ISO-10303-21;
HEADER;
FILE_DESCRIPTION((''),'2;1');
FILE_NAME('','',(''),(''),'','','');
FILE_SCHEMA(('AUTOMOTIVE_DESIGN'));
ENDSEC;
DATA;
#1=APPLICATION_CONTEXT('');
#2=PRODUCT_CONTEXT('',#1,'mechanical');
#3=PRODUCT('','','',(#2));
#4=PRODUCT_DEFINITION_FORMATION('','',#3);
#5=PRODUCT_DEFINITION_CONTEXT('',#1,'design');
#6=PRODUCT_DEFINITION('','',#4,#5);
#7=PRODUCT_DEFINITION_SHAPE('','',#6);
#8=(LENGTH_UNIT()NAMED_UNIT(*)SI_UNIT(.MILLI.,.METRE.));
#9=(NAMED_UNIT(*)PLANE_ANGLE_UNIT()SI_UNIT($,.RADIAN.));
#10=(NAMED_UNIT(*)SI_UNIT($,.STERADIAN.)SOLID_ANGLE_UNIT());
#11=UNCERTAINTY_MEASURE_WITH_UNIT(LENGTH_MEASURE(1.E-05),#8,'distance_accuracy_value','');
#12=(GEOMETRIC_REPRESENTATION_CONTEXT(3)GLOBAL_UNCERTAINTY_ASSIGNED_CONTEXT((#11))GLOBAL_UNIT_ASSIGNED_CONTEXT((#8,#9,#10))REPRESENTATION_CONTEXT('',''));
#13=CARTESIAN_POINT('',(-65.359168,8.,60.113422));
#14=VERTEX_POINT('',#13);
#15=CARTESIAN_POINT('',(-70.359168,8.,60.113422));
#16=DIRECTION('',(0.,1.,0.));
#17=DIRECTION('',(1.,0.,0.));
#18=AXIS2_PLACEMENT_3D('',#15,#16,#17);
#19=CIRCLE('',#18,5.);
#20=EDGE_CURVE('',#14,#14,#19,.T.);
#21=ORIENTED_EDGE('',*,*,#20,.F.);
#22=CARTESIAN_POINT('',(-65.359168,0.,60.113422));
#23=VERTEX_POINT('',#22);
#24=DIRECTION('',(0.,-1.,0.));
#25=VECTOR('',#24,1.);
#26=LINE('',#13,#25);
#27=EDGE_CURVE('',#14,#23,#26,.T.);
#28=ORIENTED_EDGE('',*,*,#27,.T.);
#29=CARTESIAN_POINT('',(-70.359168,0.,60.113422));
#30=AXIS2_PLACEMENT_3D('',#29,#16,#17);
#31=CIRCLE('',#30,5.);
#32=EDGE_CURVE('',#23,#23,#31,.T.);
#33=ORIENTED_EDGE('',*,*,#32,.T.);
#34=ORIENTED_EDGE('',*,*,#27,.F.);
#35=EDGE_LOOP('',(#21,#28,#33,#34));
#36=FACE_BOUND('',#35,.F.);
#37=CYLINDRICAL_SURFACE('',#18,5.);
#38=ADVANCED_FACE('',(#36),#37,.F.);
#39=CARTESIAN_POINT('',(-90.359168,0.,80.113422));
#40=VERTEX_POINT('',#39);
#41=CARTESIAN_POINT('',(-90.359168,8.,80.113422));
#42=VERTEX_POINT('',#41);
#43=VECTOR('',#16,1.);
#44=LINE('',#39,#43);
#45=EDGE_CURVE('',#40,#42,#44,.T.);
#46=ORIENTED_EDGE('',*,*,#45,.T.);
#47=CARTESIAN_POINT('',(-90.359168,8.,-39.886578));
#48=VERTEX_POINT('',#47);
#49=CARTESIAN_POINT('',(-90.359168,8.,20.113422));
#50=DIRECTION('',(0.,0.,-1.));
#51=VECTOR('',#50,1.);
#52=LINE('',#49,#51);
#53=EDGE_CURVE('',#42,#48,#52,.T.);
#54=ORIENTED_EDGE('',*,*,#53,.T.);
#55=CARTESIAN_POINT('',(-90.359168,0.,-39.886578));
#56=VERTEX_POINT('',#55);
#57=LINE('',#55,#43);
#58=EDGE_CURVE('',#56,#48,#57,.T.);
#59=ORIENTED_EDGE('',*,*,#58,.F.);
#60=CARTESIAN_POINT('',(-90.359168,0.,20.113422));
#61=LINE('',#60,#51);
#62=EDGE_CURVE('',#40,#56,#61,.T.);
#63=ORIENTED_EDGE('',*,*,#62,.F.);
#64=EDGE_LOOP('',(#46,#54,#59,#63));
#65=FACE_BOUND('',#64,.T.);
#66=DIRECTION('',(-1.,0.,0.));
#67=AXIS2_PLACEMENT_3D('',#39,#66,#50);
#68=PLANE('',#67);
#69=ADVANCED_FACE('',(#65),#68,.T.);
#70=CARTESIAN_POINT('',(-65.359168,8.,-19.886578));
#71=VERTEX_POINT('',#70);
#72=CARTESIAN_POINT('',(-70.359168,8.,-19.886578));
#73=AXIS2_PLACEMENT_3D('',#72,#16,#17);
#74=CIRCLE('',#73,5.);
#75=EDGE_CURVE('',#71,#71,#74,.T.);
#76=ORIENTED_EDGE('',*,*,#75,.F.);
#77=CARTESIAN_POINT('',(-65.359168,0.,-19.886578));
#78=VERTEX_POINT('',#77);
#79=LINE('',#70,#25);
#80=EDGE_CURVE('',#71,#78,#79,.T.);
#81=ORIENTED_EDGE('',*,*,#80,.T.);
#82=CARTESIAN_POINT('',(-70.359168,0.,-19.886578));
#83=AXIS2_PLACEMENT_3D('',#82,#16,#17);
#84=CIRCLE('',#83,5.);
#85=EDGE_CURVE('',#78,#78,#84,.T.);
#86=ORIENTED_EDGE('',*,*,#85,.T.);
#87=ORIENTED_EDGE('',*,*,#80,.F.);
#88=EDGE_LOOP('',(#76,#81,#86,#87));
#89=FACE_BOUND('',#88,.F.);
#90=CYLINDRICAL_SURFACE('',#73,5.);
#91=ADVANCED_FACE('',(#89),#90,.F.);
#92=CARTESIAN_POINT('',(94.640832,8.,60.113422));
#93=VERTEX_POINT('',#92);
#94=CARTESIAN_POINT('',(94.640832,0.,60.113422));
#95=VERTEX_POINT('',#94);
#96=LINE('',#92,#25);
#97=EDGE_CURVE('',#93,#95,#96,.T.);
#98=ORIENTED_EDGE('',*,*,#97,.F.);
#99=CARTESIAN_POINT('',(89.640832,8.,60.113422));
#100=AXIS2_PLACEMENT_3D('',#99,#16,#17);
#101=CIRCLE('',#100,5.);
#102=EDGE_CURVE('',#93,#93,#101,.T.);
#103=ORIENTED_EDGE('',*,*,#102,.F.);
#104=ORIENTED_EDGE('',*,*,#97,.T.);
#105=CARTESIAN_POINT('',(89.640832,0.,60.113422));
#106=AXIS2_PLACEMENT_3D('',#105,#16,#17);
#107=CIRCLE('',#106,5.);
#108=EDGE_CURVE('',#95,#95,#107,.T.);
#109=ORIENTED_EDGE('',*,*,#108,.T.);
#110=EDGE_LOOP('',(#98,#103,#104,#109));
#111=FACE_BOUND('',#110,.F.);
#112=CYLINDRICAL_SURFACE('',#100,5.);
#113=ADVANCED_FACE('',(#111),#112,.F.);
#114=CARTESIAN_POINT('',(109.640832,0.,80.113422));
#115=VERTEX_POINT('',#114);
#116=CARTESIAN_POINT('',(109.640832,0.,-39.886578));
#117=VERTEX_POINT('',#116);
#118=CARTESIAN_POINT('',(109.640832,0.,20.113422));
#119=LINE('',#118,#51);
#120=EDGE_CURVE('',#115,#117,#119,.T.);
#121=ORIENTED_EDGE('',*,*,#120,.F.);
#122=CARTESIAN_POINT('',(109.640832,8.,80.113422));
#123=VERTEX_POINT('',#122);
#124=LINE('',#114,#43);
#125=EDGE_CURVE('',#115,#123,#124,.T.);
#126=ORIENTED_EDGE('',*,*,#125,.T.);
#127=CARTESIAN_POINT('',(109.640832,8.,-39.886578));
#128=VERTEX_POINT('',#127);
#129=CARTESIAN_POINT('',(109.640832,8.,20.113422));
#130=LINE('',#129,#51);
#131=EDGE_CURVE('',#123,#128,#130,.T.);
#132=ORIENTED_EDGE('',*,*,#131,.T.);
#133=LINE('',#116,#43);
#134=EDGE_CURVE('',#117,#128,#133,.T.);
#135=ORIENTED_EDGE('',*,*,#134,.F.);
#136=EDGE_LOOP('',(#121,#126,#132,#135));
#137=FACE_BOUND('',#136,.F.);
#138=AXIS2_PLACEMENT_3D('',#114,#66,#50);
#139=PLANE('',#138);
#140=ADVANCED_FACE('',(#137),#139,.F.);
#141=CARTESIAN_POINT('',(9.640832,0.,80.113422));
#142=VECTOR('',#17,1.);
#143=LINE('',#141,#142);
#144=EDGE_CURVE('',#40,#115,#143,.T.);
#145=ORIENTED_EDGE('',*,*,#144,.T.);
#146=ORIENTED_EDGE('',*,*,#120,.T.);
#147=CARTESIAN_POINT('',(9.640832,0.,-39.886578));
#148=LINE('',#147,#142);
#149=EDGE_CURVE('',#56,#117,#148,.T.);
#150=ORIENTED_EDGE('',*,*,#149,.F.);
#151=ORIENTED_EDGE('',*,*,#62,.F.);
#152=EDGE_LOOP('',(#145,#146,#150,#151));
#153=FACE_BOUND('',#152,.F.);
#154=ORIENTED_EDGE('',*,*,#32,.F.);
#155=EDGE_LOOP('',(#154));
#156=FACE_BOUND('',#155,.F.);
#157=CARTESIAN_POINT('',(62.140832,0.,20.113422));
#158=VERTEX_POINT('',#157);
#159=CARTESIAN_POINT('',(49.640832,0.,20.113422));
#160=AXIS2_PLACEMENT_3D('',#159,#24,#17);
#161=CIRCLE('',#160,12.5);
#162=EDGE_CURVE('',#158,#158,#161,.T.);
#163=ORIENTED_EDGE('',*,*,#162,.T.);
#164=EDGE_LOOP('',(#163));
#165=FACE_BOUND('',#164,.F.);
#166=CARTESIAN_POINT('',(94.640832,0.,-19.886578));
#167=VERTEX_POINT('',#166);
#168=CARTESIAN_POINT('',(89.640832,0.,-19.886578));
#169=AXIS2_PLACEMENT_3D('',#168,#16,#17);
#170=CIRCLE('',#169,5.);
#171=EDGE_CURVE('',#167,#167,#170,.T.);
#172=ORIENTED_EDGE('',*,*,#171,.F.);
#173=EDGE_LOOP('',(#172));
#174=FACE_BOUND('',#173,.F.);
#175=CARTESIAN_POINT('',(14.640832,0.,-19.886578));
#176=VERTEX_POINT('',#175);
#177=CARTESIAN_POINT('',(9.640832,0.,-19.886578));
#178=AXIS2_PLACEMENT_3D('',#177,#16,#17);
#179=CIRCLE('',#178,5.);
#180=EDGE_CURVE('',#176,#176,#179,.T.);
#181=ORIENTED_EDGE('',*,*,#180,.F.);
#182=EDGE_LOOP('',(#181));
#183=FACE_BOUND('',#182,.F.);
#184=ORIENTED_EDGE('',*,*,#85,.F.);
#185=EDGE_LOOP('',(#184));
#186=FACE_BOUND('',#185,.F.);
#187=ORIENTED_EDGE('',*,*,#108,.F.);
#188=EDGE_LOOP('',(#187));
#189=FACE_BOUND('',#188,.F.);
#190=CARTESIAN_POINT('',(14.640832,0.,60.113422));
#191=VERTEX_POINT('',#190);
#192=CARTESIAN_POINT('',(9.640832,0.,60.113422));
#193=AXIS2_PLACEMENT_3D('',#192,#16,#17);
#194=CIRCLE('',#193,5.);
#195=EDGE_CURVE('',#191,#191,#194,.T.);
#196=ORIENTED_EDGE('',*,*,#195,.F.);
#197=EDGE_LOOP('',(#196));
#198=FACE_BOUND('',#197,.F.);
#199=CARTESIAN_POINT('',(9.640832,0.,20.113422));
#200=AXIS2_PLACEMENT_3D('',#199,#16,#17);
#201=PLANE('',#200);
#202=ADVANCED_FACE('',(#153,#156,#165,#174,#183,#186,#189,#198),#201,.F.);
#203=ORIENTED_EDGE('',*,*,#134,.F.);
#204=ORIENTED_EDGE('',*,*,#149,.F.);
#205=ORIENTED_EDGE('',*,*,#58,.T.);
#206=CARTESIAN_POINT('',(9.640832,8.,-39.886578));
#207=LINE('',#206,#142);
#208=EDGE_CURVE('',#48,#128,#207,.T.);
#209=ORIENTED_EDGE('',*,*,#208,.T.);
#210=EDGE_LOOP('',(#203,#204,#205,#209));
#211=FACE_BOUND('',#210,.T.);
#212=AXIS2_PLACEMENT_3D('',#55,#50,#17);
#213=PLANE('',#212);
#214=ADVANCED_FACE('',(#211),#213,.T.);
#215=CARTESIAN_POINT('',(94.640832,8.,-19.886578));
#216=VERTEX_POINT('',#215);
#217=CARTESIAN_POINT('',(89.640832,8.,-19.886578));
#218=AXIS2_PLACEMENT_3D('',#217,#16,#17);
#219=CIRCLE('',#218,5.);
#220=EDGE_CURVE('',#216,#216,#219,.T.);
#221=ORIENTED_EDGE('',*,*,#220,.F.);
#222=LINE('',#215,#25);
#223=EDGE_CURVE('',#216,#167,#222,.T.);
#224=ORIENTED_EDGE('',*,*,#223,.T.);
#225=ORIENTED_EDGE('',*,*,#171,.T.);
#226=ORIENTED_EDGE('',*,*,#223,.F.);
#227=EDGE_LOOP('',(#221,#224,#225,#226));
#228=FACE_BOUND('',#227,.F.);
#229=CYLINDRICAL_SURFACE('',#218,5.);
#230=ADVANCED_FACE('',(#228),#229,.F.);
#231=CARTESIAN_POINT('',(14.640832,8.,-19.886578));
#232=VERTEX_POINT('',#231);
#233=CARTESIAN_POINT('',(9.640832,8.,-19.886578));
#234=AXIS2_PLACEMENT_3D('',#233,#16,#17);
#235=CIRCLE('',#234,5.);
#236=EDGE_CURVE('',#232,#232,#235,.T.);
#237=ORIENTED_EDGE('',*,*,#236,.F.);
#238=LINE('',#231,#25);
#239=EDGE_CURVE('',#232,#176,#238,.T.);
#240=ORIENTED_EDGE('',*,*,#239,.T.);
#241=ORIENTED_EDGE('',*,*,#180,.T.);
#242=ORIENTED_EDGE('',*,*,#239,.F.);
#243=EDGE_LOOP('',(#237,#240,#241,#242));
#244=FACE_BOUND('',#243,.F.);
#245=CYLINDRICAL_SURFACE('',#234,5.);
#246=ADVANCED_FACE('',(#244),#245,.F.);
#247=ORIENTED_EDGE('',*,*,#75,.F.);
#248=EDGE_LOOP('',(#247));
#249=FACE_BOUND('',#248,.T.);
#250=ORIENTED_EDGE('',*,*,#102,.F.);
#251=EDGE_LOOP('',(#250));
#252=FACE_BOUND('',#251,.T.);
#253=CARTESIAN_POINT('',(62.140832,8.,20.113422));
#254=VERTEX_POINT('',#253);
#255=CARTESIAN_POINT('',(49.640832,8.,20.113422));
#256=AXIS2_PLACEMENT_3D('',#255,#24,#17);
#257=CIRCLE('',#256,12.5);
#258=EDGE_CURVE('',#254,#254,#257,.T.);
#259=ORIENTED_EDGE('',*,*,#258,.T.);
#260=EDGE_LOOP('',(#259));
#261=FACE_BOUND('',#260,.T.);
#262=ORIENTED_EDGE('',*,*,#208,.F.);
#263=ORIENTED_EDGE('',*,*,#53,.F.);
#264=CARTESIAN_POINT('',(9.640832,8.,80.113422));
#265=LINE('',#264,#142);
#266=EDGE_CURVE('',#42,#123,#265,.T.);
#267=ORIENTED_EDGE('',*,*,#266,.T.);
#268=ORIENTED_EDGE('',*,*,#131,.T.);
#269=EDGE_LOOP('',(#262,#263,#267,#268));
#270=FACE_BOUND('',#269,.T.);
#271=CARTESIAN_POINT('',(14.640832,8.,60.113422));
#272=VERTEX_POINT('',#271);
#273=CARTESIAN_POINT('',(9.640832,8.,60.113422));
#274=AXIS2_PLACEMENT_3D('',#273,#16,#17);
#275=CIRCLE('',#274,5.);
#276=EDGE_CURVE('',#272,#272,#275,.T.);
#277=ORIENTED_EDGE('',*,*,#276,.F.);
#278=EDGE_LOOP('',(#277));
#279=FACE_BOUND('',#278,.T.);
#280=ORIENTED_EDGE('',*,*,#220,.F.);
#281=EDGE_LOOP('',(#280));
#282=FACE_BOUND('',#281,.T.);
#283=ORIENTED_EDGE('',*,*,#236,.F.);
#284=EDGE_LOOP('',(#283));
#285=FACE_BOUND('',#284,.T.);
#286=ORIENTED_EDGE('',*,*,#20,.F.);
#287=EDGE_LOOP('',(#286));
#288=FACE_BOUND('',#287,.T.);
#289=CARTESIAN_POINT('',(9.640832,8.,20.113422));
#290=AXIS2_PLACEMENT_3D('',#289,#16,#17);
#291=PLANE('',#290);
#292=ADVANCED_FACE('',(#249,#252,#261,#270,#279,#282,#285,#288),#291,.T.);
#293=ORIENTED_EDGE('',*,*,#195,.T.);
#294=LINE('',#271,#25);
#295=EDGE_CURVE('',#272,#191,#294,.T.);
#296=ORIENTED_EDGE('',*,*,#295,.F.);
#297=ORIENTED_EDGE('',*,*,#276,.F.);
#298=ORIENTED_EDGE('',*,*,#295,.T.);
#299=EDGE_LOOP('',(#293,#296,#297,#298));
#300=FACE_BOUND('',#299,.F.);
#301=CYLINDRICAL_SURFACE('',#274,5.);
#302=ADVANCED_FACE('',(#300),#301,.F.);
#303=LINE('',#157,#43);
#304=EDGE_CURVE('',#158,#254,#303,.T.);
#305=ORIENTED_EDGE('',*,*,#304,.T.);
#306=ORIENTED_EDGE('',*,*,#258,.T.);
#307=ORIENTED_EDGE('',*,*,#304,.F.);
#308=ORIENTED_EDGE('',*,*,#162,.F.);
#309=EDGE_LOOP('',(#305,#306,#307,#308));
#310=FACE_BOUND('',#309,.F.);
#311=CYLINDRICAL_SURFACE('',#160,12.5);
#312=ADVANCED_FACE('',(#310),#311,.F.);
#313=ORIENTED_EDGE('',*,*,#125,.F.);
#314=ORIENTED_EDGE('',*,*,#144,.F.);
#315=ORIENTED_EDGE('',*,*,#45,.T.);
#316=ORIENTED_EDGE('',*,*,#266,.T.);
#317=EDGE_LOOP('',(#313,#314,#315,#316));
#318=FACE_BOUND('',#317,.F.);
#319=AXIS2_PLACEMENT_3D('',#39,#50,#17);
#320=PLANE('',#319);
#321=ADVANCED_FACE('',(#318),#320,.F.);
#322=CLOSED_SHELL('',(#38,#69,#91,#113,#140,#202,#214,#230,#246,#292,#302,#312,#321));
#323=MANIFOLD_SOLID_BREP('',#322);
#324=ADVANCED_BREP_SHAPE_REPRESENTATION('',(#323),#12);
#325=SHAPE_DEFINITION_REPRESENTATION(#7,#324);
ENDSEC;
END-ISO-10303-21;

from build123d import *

# Parameters (mm, degrees)
SKETCH2_W            = 200
SKETCH2_H            = 120
BOSS_EXTRUDE1_DEPTH  = 8
SKETCH4_R            = 5
CUT_EXTRUDE1_DEPTH   = 8
LPATTERN2_COUNT      = 2
LPATTERN2_PITCH      = 80
LPATTERN2_COUNT_DIR2 = 3
LPATTERN2_PITCH_DIR2 = 80
SKETCH5_R            = 12.5
CUT_EXTRUDE2_DEPTH   = 50


with BuildPart() as part:
    # Sketch2 → Boss-Extrude1 (new body)
    with BuildSketch(Plane(origin=(0, 0, 0), x_dir=(1, 0, 0), z_dir=(0, 1, 0))):
        with Locations((9.640831758, -20.11342155)):
            Rectangle(SKETCH2_W, SKETCH2_H)
    extrude(amount=BOSS_EXTRUDE1_DEPTH)

    # Sketch4 → Cut-Extrude1 (cut)
    with BuildSketch(Plane(origin=(0, 8, 0), x_dir=(1, 0, 0), z_dir=(0, 1, 0))):
        with Locations((-70.359168242, 19.88657845)):
            Circle(SKETCH4_R)
    cut_extrude1 = extrude(amount=-CUT_EXTRUDE1_DEPTH, mode=Mode.SUBTRACT)

    # LPattern2: Cut-Extrude1 2 × 3
    with Locations(*[(j * LPATTERN2_PITCH_DIR2, 0, i * LPATTERN2_PITCH) for i in range(LPATTERN2_COUNT) for j in range(LPATTERN2_COUNT_DIR2) if (i, j) != (0, 0)]):
        add(cut_extrude1, mode=Mode.SUBTRACT)

    # Sketch5 → Cut-Extrude2 (cut)
    with BuildSketch(Plane.XZ):
        with Locations((49.640831758, 20.11342155)):
            Circle(SKETCH5_R)
    extrude(amount=-CUT_EXTRUDE2_DEPTH, mode=Mode.SUBTRACT)


solid = part.part
